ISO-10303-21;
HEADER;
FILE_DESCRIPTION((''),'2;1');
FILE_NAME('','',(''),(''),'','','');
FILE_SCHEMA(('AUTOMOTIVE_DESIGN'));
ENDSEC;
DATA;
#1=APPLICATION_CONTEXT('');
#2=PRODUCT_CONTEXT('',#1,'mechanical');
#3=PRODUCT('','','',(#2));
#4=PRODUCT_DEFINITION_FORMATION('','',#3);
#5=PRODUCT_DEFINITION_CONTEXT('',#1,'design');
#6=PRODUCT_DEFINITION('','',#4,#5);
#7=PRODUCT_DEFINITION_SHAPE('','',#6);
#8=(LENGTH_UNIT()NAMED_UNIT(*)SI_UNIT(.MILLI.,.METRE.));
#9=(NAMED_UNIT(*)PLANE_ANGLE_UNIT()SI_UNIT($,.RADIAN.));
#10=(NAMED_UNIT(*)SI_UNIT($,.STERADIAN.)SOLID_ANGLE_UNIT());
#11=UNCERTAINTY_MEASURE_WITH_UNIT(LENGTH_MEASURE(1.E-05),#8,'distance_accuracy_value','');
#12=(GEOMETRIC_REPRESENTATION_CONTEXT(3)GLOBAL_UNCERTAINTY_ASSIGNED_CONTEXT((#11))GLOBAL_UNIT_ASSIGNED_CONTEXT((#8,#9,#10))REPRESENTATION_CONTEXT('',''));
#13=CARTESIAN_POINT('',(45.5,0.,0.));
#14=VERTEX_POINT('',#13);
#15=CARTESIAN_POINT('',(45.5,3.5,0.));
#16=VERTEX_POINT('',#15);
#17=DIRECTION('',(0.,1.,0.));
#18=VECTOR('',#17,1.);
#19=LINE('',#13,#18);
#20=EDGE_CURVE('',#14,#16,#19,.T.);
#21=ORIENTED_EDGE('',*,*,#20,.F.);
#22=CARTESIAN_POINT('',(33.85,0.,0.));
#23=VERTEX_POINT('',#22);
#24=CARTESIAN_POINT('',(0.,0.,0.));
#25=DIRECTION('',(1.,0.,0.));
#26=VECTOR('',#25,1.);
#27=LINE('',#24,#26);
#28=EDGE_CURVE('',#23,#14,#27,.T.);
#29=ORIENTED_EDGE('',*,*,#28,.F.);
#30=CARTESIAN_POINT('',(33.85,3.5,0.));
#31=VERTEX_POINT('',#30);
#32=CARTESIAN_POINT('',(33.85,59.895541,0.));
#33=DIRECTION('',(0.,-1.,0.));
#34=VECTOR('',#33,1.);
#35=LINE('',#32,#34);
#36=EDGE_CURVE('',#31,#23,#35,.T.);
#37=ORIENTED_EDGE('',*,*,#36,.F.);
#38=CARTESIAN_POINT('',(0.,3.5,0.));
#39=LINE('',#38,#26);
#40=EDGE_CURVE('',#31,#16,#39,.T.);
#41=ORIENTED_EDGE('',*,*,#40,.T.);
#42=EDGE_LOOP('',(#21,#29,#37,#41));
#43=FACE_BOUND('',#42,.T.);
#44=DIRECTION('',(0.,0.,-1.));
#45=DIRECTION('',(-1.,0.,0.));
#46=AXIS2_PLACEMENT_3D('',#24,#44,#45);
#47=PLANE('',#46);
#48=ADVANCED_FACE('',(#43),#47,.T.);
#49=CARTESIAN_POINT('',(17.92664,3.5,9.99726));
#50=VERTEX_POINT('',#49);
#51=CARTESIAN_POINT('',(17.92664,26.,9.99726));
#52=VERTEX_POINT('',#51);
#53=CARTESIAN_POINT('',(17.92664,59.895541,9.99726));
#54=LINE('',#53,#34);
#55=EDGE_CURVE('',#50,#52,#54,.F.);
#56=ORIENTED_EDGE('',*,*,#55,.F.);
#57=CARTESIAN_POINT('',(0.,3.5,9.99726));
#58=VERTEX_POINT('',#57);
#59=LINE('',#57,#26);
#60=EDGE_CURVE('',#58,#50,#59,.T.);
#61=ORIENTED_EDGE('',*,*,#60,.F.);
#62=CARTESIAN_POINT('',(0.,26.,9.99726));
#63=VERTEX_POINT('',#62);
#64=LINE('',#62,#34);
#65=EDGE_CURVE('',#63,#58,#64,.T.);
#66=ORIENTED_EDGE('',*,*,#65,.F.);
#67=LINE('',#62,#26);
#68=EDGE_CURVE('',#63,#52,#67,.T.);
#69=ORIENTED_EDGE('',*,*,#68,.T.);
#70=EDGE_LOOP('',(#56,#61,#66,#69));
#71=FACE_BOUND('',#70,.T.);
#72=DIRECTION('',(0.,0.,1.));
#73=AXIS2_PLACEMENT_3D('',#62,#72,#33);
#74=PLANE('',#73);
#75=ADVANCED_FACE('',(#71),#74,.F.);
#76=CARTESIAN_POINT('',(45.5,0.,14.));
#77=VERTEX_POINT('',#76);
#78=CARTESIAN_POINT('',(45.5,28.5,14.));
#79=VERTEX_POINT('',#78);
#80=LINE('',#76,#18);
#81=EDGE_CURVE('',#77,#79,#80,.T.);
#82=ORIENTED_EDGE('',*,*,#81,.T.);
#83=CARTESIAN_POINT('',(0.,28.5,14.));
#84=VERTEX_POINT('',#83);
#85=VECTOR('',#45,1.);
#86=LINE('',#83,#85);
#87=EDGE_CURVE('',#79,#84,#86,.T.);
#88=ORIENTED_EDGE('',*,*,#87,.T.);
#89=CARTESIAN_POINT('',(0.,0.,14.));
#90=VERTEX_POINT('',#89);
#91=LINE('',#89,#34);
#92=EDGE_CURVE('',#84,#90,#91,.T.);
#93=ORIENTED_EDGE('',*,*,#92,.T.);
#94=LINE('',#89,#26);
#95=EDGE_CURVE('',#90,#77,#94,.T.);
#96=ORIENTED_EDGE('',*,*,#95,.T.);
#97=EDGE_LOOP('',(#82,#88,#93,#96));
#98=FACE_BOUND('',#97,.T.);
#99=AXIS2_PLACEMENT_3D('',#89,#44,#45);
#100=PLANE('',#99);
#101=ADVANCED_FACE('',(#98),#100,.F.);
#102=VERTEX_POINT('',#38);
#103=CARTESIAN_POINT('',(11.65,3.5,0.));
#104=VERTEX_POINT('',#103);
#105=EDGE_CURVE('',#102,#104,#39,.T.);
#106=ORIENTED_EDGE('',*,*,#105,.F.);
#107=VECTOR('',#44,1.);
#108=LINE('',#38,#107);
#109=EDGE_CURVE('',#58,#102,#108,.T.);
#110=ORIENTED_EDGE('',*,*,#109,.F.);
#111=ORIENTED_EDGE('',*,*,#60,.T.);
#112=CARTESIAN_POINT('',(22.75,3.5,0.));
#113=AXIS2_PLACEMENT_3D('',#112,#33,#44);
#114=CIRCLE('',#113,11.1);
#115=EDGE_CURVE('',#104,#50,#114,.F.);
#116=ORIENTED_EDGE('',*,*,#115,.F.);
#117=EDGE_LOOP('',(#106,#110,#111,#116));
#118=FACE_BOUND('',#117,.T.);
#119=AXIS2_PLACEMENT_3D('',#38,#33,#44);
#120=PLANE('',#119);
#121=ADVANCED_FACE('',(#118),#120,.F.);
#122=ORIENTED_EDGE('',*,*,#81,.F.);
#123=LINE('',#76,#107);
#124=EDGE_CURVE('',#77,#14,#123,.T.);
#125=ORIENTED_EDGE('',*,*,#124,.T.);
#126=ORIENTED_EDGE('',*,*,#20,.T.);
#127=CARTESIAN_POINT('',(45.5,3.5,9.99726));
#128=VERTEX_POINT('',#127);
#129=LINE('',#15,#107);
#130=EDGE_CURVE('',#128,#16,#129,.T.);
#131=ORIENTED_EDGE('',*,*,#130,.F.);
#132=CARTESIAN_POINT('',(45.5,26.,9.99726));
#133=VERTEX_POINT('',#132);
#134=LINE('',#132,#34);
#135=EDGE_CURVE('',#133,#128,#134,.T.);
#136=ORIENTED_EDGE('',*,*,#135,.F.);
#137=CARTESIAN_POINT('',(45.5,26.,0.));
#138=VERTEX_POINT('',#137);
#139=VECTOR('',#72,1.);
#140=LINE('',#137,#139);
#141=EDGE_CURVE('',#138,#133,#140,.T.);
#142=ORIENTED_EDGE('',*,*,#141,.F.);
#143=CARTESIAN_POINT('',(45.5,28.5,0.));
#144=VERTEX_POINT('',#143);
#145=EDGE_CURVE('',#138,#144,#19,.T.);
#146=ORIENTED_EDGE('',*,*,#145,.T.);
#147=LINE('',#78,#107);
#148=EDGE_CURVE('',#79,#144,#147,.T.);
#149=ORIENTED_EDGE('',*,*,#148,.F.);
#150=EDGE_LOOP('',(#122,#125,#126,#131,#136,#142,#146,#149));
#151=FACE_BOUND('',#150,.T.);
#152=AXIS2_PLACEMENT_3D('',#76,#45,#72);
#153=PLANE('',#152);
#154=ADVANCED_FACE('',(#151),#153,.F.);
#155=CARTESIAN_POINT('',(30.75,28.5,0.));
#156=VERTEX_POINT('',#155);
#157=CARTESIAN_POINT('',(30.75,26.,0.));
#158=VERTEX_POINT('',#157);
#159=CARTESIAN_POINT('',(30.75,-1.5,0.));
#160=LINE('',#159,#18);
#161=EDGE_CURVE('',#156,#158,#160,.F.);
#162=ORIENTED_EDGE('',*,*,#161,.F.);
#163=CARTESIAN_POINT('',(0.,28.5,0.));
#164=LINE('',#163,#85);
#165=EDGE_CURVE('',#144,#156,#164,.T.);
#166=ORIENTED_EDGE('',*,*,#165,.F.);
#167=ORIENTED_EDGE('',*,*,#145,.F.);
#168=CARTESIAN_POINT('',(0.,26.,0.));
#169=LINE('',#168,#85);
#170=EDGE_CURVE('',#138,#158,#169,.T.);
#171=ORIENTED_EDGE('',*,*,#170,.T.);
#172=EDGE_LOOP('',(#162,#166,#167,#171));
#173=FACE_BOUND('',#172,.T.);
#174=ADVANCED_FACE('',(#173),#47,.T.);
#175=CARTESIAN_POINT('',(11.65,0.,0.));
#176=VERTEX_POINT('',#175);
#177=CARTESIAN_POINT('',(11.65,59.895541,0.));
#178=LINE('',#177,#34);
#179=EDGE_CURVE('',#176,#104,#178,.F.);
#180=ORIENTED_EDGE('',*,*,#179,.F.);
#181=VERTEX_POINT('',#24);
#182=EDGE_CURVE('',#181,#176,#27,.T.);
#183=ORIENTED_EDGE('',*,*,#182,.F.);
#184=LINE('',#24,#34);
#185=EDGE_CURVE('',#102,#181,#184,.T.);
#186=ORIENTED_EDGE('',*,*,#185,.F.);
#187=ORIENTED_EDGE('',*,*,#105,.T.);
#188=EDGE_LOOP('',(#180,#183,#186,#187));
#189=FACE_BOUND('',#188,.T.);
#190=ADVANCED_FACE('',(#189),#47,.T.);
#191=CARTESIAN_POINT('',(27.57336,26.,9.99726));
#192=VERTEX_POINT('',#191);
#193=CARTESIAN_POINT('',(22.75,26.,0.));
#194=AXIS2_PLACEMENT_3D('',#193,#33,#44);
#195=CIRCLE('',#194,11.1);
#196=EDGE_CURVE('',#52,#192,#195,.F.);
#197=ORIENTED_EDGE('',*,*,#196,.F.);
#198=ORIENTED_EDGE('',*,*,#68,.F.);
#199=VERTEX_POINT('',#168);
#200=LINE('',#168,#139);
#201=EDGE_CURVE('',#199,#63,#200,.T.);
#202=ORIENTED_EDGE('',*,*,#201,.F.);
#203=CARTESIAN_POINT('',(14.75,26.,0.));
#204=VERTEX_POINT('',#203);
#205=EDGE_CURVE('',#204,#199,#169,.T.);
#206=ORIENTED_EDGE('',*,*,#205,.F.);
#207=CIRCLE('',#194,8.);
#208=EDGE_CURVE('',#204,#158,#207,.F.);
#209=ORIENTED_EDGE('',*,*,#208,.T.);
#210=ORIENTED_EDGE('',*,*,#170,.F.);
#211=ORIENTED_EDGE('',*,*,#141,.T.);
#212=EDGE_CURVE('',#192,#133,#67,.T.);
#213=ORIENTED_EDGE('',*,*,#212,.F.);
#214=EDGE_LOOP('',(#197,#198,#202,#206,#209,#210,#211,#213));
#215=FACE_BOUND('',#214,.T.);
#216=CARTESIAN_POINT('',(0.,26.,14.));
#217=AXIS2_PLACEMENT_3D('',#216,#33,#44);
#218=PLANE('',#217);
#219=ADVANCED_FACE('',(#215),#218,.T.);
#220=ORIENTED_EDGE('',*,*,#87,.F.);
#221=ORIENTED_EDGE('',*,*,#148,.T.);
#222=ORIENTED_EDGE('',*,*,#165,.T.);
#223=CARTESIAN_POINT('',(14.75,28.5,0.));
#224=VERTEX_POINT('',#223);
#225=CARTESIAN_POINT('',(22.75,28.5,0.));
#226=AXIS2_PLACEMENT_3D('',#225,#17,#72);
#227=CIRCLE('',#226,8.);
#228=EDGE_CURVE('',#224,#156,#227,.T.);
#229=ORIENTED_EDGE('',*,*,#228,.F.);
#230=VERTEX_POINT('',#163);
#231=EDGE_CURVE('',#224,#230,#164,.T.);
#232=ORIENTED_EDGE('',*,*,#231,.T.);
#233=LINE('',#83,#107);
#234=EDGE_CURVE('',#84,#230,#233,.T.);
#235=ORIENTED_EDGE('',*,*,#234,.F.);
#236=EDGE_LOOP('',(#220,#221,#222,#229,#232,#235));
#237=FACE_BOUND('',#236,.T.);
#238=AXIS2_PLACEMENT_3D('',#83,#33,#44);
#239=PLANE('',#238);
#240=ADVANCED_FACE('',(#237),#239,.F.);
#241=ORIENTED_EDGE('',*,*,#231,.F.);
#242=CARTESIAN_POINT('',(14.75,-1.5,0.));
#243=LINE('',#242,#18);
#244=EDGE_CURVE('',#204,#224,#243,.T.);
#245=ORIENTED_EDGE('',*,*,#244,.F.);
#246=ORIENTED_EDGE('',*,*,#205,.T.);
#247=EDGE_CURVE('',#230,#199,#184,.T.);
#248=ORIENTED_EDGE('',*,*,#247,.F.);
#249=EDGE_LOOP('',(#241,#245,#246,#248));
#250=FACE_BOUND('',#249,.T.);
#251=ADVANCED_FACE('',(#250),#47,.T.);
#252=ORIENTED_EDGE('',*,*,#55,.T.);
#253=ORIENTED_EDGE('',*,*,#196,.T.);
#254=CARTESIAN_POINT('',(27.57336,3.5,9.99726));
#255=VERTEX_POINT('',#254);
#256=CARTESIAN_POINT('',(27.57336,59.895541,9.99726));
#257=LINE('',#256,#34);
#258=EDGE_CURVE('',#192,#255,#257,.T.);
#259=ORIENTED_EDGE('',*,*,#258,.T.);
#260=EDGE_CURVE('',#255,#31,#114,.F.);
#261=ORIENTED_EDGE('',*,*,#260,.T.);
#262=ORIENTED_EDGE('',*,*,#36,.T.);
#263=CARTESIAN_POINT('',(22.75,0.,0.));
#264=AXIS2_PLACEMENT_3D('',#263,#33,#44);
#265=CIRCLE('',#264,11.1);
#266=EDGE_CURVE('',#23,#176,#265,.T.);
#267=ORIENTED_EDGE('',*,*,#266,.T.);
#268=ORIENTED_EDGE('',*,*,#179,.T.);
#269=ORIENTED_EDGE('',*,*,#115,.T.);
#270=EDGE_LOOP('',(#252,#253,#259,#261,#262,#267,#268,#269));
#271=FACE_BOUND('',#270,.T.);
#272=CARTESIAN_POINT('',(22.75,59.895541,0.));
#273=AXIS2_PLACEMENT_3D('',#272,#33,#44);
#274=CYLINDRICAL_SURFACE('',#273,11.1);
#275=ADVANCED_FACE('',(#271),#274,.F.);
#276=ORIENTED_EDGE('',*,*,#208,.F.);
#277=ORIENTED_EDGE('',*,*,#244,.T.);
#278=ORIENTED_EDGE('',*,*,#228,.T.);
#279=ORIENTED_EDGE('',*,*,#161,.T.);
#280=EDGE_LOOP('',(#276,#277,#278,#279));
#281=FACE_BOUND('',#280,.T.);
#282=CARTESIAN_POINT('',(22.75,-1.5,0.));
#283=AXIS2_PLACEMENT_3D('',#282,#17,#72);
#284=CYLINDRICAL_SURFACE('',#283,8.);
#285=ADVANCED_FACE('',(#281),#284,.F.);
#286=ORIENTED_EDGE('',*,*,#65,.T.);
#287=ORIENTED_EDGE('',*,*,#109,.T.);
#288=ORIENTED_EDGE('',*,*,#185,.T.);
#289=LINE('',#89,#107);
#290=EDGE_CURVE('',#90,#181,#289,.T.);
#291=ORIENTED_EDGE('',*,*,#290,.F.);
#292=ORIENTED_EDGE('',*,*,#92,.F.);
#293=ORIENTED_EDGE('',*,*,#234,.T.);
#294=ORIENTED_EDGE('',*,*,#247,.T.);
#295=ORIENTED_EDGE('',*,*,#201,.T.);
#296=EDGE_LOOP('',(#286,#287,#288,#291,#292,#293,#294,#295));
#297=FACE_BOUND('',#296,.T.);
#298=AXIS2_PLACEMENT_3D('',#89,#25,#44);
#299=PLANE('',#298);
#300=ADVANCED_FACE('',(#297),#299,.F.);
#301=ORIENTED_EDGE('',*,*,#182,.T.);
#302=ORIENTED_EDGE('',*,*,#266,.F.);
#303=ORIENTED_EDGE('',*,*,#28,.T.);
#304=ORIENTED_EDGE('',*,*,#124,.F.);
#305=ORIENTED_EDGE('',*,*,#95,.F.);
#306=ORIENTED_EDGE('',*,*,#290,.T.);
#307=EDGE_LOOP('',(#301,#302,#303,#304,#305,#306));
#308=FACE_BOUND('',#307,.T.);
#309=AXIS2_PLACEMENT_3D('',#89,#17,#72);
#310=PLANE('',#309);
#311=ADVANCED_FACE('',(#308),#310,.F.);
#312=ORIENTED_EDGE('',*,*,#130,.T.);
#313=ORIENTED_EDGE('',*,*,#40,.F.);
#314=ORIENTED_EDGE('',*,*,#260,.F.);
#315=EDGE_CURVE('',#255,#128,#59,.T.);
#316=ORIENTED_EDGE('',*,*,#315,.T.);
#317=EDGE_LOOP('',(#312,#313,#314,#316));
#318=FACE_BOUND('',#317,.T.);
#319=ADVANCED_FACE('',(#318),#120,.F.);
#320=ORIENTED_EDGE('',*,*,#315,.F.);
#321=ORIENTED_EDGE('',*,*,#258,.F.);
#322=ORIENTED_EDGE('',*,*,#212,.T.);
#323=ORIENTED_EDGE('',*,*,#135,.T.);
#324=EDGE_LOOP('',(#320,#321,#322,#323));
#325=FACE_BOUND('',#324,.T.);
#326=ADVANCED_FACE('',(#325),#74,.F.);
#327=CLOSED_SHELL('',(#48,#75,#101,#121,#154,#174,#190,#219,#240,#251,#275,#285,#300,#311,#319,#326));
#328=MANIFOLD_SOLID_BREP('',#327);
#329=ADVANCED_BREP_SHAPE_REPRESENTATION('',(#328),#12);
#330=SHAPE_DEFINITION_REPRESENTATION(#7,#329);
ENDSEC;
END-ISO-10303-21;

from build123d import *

# Parameters (mm, degrees)
SKETCH1_W           = 45.5
SKETCH1_H           = 28.5
BOSS_EXTRUDE1_DEPTH = 14
SKETCH2_R           = 8
CUT_EXTRUDE1_DEPTH  = 30
SKETCH3_R           = 11.1
CUT_EXTRUDE2_DEPTH  = 26
SKETCH4_W           = 9.997259543
SKETCH4_H           = 22.5
CUT_EXTRUDE3_DEPTH  = 56.484231994


with BuildPart() as part:
    # Sketch1 → Boss-Extrude1 (new body)
    with BuildSketch(Plane.XY):
        with Locations((22.75, 14.25)):
            Rectangle(SKETCH1_W, SKETCH1_H)
    extrude(amount=BOSS_EXTRUDE1_DEPTH)

    # Sketch2 → Cut-Extrude1 (cut)
    with BuildSketch(Plane(origin=(0, 28.5, 0), x_dir=(1, 0, 0), z_dir=(0, 1, 0))):
        with Locations((22.75, 0)):
            Circle(SKETCH2_R)
    extrude(amount=-CUT_EXTRUDE1_DEPTH, mode=Mode.SUBTRACT)

    # Sketch3 → Cut-Extrude2 (cut)
    with BuildSketch(Plane.XZ):
        with Locations((22.75, 0)):
            Circle(SKETCH3_R)
    extrude(amount=-CUT_EXTRUDE2_DEPTH, mode=Mode.SUBTRACT)

    # Sketch4 → Cut-Extrude3 (cut, through all)
    with BuildSketch(Plane(origin=(45.5, 0, 0), x_dir=(0, 0, -1), z_dir=(1, 0, 0))):
        with Locations((-4.998629772, 14.75)):
            Rectangle(SKETCH4_W, SKETCH4_H)
    extrude(amount=-CUT_EXTRUDE3_DEPTH, mode=Mode.SUBTRACT)


solid = part.part
